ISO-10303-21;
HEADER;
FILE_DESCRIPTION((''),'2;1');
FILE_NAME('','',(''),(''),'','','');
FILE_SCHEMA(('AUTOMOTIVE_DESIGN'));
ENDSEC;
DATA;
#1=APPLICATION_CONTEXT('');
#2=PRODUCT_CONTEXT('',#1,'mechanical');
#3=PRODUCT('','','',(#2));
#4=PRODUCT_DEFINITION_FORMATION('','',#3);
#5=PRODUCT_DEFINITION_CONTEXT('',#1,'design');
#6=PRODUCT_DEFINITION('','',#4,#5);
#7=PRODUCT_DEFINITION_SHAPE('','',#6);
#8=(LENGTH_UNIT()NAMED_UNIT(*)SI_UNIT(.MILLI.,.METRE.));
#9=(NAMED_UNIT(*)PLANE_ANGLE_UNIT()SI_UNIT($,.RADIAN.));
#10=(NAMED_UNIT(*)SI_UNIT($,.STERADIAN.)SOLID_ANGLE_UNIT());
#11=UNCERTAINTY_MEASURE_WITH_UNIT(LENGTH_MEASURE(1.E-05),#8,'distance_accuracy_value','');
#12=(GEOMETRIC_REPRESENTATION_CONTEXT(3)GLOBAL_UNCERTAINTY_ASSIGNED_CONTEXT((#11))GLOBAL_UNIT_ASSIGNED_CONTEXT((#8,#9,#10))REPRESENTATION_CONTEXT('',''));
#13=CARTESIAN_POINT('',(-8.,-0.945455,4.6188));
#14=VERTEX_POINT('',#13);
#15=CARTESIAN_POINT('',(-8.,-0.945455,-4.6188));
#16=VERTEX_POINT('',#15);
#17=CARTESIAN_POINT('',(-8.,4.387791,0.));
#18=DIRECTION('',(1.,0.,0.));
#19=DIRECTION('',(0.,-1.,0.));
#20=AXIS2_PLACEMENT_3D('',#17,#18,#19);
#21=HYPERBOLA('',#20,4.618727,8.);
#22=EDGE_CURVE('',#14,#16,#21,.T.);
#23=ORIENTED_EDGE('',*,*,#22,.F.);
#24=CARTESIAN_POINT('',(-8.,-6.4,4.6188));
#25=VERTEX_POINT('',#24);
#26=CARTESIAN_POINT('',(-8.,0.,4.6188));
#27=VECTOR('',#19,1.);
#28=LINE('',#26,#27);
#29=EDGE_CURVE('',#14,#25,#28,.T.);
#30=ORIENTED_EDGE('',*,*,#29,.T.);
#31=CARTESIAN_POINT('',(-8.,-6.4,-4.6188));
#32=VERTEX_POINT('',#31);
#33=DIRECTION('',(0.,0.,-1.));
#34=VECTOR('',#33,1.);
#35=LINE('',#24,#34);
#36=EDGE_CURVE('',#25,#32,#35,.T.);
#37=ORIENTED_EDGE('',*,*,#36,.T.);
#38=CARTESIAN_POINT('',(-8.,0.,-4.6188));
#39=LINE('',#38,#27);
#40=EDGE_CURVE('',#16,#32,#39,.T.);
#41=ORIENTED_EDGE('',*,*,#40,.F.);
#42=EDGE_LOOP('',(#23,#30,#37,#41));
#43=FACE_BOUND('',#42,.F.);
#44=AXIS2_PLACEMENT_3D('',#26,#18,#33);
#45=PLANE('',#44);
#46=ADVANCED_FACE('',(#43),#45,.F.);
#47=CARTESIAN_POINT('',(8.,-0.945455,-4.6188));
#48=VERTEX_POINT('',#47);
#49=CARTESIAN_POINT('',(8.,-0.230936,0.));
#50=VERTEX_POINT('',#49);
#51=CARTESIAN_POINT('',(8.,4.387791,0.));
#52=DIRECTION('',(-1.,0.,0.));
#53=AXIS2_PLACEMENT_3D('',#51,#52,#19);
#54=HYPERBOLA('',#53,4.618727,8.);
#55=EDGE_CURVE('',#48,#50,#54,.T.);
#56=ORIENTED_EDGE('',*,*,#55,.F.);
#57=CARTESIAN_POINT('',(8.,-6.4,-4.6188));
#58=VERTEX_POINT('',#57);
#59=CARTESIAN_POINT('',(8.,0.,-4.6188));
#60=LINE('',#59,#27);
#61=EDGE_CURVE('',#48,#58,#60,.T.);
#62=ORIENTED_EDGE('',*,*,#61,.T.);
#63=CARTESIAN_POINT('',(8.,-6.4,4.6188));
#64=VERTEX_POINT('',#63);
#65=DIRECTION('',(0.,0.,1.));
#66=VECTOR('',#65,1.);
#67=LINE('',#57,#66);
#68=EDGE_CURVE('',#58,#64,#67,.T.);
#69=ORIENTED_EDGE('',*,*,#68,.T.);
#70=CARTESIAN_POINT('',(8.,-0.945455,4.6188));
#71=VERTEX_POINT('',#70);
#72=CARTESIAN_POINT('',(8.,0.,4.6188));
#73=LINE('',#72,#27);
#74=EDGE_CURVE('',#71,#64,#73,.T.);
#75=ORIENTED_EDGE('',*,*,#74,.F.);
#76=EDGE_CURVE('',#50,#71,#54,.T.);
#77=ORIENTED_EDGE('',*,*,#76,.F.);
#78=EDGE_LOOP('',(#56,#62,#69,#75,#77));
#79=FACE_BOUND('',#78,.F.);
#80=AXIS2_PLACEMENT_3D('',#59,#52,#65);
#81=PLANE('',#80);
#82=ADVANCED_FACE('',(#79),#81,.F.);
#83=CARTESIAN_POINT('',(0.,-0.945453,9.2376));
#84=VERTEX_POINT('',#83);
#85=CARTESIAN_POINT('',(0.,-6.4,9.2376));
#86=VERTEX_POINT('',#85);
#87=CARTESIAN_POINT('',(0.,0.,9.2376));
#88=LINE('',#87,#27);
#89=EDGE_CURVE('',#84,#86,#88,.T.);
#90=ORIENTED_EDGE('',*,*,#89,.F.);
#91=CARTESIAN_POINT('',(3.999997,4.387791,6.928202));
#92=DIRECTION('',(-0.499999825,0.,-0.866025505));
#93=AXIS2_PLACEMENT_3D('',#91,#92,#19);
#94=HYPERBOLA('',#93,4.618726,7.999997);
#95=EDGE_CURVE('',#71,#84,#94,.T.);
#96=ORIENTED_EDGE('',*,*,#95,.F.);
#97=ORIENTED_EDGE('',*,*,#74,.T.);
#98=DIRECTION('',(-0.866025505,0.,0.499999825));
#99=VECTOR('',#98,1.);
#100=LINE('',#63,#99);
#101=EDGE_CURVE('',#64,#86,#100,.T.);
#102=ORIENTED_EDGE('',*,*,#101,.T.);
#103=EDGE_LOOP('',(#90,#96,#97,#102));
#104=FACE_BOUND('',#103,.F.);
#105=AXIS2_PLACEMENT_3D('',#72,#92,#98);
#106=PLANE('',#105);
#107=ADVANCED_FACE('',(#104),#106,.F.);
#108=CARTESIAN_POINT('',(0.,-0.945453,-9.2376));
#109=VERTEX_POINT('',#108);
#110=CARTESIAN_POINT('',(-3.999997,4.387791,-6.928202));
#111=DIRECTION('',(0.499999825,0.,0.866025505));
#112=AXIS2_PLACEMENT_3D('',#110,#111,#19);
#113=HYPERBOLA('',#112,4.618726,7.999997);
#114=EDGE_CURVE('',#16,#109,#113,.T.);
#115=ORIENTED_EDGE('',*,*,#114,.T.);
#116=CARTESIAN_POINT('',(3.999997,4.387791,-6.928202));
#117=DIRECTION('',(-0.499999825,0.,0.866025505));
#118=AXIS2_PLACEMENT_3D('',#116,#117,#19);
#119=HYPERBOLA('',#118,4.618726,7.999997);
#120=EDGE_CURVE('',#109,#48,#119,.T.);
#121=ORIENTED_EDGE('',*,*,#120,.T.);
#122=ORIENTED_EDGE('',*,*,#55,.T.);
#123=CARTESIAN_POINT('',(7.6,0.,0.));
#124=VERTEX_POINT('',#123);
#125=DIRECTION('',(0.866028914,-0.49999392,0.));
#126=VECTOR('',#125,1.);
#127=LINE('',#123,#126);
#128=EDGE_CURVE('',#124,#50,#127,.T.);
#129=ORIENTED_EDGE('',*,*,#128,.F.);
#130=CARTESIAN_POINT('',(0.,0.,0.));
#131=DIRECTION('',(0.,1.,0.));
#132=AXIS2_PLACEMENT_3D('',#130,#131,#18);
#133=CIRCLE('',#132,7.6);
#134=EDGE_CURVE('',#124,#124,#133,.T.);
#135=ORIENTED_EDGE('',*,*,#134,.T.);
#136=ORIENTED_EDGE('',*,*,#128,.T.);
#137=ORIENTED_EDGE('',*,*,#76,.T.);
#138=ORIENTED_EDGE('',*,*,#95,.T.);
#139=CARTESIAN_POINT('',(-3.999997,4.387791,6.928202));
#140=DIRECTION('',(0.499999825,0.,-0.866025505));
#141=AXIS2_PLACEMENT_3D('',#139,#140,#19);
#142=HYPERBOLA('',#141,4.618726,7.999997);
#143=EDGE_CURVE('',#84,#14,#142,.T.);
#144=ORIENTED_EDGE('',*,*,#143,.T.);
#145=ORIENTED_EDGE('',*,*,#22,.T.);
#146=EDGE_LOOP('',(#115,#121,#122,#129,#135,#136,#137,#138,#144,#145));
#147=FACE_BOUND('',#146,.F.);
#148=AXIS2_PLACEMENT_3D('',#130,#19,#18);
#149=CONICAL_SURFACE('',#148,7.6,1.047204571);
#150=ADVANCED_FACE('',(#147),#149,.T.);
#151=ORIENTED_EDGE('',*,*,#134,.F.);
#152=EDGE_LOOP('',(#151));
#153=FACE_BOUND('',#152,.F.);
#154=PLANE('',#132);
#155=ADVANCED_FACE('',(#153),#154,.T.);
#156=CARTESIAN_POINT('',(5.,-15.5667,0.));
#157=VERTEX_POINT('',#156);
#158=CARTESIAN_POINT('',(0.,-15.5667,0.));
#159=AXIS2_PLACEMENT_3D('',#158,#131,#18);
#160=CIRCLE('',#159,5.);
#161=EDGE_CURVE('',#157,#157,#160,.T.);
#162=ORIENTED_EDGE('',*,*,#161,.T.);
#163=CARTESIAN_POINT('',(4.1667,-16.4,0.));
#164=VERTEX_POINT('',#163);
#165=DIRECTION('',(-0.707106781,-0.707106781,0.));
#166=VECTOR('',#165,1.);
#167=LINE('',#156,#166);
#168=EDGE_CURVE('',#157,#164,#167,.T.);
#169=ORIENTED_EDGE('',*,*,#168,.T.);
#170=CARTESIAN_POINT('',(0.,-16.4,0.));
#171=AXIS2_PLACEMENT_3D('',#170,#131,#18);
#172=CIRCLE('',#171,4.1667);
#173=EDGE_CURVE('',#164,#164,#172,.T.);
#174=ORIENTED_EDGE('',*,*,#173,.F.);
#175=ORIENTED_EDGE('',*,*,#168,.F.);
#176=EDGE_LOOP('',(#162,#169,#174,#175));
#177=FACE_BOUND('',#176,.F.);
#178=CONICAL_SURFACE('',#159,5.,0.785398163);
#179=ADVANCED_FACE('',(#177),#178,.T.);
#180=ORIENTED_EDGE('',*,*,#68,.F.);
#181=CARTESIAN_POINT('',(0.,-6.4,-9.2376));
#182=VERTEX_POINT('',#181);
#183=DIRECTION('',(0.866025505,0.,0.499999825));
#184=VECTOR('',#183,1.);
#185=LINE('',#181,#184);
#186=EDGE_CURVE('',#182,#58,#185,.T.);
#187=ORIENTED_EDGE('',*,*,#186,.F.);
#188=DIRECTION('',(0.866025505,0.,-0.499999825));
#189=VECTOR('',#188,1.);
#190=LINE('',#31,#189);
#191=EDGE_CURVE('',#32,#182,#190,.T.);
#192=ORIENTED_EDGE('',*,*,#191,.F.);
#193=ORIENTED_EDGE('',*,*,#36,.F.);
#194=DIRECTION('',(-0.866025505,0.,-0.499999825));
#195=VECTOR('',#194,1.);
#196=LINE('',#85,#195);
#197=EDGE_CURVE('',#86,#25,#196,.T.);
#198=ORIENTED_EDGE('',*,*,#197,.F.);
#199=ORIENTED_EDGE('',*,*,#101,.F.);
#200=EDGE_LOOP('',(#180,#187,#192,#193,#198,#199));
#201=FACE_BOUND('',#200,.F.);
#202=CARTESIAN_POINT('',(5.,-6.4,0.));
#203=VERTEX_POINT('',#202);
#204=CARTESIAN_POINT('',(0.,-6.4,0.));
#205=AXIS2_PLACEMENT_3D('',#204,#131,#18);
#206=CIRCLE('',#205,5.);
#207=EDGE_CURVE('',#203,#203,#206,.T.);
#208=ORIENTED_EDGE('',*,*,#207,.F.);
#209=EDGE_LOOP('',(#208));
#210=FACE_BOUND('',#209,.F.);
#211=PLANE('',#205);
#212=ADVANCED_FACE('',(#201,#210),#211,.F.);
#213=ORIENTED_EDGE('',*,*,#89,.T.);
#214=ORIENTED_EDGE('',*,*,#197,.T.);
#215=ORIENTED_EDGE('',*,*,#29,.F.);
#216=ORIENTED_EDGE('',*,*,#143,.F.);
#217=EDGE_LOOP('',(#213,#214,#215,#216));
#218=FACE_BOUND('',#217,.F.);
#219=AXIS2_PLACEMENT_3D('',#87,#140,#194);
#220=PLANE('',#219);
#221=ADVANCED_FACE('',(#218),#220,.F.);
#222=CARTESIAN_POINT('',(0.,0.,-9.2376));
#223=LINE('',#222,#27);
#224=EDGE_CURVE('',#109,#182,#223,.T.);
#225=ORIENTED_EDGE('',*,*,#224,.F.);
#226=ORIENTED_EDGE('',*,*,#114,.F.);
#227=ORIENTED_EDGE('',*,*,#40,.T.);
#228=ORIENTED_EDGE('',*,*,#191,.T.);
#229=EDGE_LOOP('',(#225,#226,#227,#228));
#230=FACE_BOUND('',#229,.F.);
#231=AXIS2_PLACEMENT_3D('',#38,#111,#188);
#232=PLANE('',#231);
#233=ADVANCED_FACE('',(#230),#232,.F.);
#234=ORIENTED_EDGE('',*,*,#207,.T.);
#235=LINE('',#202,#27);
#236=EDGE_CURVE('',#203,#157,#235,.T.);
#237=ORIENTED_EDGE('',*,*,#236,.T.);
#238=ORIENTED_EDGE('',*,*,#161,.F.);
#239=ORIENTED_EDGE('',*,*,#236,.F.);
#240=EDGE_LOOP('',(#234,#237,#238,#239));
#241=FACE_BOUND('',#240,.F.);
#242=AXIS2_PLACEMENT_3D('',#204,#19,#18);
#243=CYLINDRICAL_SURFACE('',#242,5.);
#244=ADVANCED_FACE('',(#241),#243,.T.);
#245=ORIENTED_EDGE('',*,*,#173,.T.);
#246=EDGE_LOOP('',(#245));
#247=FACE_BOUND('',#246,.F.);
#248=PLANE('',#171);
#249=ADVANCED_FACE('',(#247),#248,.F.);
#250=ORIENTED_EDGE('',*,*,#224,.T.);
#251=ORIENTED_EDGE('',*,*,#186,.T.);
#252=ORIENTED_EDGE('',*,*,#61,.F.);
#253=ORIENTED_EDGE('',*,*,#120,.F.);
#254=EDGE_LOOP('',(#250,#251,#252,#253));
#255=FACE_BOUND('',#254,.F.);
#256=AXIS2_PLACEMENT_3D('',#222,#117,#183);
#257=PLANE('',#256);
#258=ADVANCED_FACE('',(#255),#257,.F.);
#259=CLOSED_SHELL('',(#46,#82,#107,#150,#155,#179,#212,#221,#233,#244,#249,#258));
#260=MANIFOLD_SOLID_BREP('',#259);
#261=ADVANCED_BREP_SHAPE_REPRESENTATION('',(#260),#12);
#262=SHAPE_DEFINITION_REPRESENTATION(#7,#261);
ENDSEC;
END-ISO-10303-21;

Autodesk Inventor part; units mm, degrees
ref_plane "YZ Plane" through (0, 0, 0) normal (1, 0, 0) x (0, 1, 0)
ref_plane "XZ Plane" through (0, 0, 0) normal (0, 1, 0) x (-1, 0, 0)
ref_plane "XY Plane" through (0, 0, 0) normal (0, 0, 1) x (1, 0, 0)
sketch "Sketch1" plane through (0, 0, 0) normal (0, 0, 1) x (1, 0, 0)
  line L0 (0, 0) -> (7.6, 0)
  line L1 (12, -2.5403) -> (12, -6.4)
  line L2 (12, -6.4) -> (5, -6.4)
  line L3 (5, -6.4) -> (5, -16.4)
  line L4 (5, -16.4) -> (0, -16.4)
  line L5 (0, -16.4) -> (0, 0)
  line L6 (7.6, 0) -> (12, -2.5403)
  dimension "d0" = 24
  dimension "d1" = 10
  dimension "d2" = 6.4
  dimension "d3" = 10
  dimension "d20" = 30
  dimension "d21" = 15.2
revolve "Вращение1" add sketch "Sketch1" angle 360 about axis through (0, -16.4, 0) along (0, 1, 0)
sketch "Sketch2" plane through (0, 0, 0) normal (0, 1, 0) x (1, 0, 0)
  line L0 (0, -9.2376) -> (-8, -4.6188)
  line L1 (-8, -4.6188) -> (-8, 4.6188)
  line L2 (-8, 4.6188) -> (0, 9.2376)
  line L3 (0, 9.2376) -> (8, 4.6188)
  line L4 (8, 4.6188) -> (8, -4.6188)
  line L5 (8, -4.6188) -> (0, -9.2376)
  circle A0 centre (0, 0) radius 12 projected
  point P0 (0, 0)
  point P1 (0, 0)
  dimension "d22" = 16
extrude "Выдавливание1" cut sketch "Sketch2" against normal blind 6.4
thread "Резьба1" size "M10x1.5" class "6g" standard "ISO Metric profile" length 8
chamfer "Фаска1" distance 0.8333 angle 45 1 edges at (-5, -16.4, 0)
equation "\"d22\" = S_"
equation "\"d23\" = k"
equation "\"d12\" = b"
equation "\"d14\" = 0.0833333 * d"
equation "\"d0\" = 1.5 * S_"
equation "\"d1\" = d1_"
equation "\"d2\" = k"
equation "\"d3\" = L"
equation "\"d21\" = 0.95 * S_"
equation "\"d1_\" = 10"
equation "\"S_\" = 16"
equation "\"k\" = 6.4"
equation "\"e\" = 17.6"
equation "\"L\" = 10"
equation "\"b\" = 8"
equation "\"Grip_Length\" = 2"
equation "\"d\" = 10"
properties part number "Болт M10-6g×10(S16) ГОСТ 7798-70" material "Сталь, мягкая"
